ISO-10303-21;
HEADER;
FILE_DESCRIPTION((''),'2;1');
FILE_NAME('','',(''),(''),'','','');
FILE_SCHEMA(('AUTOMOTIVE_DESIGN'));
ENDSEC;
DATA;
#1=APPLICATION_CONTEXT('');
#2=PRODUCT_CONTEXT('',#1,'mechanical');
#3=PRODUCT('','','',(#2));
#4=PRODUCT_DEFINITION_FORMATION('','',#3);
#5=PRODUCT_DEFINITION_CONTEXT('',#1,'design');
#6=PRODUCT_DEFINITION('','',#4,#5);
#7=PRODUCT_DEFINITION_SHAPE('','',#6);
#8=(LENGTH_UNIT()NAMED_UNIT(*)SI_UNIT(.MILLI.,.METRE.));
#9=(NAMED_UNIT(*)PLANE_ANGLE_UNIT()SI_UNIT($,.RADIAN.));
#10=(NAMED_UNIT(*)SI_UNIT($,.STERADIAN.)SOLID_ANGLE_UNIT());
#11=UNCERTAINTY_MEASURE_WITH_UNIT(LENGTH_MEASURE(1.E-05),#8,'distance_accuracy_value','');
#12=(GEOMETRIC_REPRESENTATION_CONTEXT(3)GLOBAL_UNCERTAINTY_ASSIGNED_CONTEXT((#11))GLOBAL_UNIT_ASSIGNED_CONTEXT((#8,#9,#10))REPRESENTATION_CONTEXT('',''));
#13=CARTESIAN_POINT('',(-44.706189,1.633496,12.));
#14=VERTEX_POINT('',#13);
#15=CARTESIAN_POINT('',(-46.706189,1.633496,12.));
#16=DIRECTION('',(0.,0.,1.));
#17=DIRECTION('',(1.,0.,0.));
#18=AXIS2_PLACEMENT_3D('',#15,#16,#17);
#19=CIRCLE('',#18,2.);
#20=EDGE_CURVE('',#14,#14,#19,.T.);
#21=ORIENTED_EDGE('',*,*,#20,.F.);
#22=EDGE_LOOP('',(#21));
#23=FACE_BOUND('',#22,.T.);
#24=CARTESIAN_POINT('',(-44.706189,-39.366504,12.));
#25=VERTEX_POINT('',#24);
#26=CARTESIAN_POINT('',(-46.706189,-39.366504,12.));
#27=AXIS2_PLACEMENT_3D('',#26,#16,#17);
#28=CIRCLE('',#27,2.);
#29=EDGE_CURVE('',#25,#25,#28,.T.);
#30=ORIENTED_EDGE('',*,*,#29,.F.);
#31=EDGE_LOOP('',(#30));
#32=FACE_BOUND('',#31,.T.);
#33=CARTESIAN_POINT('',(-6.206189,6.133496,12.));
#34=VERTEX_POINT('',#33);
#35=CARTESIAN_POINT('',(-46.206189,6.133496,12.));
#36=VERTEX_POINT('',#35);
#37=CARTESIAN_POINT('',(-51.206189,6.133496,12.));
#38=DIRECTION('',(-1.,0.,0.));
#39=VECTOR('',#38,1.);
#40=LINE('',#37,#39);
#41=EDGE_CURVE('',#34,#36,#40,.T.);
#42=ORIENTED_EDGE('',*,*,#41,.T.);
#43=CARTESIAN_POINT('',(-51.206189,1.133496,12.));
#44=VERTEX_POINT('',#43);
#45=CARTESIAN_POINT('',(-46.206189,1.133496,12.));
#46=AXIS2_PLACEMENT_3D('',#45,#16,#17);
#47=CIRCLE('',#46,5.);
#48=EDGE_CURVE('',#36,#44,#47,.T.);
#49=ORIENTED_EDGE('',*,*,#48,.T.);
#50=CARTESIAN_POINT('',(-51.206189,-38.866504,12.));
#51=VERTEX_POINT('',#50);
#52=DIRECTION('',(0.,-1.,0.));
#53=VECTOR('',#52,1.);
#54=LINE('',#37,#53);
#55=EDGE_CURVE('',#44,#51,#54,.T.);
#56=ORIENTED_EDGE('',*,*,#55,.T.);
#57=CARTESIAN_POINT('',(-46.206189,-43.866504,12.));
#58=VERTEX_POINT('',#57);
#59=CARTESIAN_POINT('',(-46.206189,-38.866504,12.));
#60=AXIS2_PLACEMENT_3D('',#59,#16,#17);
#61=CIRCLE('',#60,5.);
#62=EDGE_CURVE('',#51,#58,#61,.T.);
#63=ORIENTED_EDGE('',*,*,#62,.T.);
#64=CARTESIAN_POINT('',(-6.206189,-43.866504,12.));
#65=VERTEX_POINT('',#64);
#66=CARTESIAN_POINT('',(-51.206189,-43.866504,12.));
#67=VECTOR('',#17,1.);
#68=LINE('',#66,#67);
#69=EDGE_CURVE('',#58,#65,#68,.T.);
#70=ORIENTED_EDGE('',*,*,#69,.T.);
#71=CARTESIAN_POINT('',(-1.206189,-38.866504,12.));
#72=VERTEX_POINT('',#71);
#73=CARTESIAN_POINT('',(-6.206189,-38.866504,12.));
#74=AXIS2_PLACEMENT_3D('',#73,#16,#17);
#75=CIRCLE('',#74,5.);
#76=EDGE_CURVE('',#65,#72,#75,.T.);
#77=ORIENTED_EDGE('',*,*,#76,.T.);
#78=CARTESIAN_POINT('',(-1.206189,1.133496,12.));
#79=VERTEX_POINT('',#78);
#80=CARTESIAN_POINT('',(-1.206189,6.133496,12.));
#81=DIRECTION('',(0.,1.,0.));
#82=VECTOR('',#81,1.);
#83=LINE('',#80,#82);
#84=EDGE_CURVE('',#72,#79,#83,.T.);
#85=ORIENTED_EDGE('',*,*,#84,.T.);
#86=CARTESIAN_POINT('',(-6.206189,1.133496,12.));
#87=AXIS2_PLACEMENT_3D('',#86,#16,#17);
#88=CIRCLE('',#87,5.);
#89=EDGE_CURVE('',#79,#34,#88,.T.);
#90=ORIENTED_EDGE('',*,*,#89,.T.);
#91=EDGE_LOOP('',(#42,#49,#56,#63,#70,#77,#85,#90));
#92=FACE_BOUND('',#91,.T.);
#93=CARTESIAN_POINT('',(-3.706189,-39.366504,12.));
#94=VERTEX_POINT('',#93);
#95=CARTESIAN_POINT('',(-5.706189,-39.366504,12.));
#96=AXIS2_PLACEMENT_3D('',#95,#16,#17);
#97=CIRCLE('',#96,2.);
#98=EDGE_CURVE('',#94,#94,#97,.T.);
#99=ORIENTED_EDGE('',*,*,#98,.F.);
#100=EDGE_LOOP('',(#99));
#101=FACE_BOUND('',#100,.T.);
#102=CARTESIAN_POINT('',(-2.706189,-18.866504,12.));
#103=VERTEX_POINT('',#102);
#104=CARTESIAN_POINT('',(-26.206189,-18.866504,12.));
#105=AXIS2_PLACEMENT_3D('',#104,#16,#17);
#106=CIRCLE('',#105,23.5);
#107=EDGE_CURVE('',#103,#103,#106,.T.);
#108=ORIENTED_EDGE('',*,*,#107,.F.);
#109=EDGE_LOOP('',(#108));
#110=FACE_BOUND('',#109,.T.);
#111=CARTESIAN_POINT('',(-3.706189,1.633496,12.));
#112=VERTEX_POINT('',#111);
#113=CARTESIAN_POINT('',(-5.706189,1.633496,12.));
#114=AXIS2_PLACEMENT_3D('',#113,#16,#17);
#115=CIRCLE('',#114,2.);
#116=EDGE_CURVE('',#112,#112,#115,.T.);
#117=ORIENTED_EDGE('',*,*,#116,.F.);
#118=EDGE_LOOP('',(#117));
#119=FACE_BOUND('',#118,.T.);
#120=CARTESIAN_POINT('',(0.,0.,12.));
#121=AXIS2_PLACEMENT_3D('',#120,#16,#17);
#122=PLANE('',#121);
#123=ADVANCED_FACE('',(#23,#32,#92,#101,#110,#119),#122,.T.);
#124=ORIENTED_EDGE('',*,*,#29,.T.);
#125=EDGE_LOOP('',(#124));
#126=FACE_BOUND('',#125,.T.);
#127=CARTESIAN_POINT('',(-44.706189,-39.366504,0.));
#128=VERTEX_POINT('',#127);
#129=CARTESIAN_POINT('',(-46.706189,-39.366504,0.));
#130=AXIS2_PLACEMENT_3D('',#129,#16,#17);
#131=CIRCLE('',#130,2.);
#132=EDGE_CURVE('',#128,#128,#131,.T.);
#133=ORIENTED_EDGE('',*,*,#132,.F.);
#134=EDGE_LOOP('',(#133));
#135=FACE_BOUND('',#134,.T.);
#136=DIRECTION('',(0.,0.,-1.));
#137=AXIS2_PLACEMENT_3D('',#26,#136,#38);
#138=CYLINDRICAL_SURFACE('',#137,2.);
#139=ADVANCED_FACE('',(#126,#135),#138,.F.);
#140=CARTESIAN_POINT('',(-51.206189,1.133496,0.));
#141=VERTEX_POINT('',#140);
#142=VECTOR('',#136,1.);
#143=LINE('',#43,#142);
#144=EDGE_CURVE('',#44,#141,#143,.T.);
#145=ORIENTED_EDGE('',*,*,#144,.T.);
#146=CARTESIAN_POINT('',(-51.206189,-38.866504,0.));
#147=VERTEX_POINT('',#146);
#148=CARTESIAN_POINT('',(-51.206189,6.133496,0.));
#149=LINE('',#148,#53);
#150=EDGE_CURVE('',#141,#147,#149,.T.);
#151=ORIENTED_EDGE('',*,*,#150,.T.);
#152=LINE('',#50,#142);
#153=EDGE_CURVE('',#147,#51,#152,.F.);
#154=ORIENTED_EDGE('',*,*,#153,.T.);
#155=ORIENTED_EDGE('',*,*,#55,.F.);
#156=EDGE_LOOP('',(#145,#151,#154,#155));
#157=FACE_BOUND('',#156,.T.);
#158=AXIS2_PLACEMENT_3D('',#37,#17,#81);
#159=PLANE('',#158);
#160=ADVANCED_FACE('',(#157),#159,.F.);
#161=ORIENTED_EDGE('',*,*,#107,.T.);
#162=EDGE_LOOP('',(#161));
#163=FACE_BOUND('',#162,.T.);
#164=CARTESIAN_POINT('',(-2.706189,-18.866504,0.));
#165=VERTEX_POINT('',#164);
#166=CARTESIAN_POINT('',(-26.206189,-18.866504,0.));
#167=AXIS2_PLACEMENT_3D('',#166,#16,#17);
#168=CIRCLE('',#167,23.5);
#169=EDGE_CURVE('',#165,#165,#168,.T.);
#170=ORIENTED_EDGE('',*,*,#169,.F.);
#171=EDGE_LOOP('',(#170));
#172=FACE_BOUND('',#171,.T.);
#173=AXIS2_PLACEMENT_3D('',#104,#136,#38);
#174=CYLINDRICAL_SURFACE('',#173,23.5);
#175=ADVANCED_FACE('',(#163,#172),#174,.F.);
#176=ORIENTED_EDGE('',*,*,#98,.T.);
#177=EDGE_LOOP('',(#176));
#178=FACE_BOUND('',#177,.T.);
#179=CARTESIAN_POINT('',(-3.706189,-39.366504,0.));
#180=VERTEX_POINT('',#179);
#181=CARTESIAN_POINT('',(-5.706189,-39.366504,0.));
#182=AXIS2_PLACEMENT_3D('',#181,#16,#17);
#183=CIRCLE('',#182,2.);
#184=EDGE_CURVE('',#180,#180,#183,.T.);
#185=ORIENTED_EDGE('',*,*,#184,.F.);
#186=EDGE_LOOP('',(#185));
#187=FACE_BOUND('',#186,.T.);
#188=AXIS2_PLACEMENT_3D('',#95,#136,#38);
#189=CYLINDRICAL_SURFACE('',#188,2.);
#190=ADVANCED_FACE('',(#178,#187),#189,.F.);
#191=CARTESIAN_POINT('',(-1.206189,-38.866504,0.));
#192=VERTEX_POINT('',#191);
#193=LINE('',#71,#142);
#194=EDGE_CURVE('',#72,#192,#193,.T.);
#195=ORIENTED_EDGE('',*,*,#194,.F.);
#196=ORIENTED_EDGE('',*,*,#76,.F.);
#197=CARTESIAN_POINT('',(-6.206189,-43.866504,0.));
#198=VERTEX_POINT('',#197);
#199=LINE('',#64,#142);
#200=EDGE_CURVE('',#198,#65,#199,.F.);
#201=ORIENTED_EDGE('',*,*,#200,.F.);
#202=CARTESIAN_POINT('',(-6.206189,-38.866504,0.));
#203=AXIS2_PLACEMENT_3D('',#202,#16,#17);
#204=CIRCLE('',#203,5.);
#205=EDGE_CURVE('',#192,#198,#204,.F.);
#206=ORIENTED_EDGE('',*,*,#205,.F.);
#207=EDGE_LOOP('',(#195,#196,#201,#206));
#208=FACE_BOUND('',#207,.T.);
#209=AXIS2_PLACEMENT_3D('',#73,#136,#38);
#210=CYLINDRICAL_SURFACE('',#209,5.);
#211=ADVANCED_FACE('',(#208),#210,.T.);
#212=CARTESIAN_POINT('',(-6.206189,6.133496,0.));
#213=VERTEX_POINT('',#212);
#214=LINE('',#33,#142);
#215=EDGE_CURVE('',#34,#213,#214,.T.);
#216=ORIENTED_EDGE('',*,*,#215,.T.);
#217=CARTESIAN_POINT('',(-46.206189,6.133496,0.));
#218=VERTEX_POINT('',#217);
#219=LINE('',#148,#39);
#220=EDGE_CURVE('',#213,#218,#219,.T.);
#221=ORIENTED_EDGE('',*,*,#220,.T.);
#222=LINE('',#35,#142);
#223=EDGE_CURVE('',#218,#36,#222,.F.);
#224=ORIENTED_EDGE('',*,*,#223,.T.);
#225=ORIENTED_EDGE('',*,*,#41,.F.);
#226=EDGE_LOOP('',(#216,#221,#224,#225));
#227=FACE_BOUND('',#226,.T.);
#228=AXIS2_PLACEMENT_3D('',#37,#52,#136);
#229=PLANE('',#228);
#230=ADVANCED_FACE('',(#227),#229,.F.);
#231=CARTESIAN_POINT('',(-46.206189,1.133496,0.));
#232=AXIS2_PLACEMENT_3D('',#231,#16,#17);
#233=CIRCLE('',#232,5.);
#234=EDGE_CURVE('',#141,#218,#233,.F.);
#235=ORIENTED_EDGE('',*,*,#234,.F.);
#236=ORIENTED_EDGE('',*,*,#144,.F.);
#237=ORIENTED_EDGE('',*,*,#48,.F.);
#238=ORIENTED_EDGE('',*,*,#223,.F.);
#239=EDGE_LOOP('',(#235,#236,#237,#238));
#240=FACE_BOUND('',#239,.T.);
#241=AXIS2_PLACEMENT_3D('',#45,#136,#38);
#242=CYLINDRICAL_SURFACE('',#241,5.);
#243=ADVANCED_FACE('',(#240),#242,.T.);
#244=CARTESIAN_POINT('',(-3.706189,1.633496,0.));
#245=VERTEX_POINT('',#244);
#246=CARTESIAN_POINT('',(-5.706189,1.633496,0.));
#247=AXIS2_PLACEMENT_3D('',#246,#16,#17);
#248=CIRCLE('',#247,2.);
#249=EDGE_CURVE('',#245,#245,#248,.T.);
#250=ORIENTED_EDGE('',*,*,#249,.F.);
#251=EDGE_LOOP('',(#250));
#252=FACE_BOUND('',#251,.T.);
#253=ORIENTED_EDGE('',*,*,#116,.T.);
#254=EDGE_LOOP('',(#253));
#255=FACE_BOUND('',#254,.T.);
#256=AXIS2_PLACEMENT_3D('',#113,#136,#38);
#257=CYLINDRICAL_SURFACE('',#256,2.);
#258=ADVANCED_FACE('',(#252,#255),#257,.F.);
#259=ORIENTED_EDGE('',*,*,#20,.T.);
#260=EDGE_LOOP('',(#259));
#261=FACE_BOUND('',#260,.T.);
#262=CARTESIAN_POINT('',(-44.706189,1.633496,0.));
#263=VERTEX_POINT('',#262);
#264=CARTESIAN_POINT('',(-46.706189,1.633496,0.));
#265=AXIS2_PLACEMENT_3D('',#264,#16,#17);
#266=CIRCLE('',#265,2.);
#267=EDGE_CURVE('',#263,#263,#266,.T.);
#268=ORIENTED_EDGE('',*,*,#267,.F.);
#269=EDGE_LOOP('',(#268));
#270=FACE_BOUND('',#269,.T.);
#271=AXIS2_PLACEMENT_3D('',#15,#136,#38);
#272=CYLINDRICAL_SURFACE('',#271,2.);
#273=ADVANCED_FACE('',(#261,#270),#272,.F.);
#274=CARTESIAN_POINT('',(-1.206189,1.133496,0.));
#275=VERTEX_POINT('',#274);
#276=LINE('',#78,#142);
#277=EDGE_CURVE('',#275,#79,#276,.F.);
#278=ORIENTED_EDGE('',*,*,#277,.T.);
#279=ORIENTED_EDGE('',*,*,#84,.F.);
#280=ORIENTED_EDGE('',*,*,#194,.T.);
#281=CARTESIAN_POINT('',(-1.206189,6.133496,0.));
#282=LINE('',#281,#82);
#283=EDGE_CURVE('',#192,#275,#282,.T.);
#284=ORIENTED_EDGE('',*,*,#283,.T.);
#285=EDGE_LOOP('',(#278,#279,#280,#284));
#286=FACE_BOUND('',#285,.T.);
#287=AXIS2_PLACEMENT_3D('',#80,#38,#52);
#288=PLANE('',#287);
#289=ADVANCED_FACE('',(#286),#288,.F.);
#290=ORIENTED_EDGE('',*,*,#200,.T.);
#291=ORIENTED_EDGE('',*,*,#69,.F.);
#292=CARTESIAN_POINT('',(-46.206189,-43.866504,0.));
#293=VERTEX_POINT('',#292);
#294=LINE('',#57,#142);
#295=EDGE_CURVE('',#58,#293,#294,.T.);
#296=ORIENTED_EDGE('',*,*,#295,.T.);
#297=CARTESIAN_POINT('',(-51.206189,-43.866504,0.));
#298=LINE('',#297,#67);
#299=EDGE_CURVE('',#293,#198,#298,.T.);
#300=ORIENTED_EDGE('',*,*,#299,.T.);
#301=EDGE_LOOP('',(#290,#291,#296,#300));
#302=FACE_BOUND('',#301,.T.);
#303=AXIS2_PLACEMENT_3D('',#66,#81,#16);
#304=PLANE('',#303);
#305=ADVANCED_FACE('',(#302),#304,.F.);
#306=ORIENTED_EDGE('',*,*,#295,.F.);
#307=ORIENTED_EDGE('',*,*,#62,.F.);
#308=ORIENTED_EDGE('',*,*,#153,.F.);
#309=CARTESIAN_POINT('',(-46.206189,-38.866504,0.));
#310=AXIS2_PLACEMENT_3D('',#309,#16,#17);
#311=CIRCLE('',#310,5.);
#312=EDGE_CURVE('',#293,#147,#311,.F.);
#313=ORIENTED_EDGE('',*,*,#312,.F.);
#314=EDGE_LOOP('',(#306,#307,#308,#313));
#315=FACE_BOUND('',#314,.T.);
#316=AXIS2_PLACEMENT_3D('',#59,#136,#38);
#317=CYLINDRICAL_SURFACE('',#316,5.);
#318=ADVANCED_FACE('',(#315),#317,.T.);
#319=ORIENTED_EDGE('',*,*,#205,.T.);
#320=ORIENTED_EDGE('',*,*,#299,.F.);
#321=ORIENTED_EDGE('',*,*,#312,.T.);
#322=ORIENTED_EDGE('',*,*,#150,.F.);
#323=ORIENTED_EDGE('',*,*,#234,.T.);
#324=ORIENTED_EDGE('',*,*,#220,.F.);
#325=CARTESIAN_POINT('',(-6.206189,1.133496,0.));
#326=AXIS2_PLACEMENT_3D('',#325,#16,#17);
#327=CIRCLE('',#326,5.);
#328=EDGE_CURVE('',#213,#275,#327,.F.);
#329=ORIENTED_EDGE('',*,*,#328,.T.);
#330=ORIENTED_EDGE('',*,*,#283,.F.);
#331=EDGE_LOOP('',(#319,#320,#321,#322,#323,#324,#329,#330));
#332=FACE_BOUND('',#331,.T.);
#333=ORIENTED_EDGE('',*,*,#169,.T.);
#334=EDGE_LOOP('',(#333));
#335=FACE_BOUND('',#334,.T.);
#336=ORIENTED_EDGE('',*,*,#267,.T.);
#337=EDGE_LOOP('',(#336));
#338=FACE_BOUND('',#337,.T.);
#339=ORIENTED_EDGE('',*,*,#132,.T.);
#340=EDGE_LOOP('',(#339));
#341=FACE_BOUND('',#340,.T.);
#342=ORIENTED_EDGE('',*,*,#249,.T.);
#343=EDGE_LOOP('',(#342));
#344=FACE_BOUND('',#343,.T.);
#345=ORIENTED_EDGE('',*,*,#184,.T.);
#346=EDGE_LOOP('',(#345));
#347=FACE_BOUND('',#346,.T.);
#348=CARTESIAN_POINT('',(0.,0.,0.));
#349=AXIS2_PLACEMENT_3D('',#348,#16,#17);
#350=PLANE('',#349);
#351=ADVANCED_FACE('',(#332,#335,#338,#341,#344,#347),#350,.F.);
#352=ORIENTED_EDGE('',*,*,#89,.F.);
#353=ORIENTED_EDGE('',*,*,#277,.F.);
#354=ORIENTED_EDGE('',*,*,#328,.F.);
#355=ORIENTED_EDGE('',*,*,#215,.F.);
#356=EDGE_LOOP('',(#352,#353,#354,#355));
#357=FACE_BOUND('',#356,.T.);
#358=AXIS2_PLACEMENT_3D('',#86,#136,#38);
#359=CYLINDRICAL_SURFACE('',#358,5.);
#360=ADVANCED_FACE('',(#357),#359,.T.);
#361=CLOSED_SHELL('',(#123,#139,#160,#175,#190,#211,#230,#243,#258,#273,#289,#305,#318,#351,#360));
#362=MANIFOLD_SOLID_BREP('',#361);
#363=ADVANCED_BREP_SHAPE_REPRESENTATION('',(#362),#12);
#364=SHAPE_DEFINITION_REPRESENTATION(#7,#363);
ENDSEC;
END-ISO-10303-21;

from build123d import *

# Parameters (mm, degrees)
SKETCH_1_W      = 50
SKETCH_1_H      = 50
SKETCH_1_R      = 2
SKETCH_1_R_2    = 23.5
EXTRUDE_1_DEPTH = 12
FILLET_1_R      = 5


with BuildPart() as part:
    # 草图1 → 凸台-拉伸1 (new body)
    with BuildSketch(Plane.XY):
        with Locations((-26.20618851, -18.866504484)):
            Rectangle(SKETCH_1_W, SKETCH_1_H)
        with Locations((-46.70618851, -39.366504484)):
            Circle(SKETCH_1_R, mode=Mode.SUBTRACT)
        with Locations((-5.70618851, -39.366504484)):
            Circle(SKETCH_1_R, mode=Mode.SUBTRACT)
        with Locations((-5.70618851, 1.633495516)):
            Circle(SKETCH_1_R, mode=Mode.SUBTRACT)
        with Locations((-46.70618851, 1.633495516)):
            Circle(SKETCH_1_R, mode=Mode.SUBTRACT)
        with Locations((-26.20618851, -18.866504484)):
            Circle(SKETCH_1_R_2, mode=Mode.SUBTRACT)
    extrude(amount=EXTRUDE_1_DEPTH)

    # 圆角1
    fillet_1_edges = [part.edges().sort_by_distance(p)[0] for p in [
        (-51.20618851, 6.133495516, 6),
        (-1.20618851, 6.133495516, 6),
        (-1.20618851, -43.866504484, 6),
        (-51.20618851, -43.866504484, 6),
    ]]
    fillet(fillet_1_edges, radius=FILLET_1_R)


solid = part.part
